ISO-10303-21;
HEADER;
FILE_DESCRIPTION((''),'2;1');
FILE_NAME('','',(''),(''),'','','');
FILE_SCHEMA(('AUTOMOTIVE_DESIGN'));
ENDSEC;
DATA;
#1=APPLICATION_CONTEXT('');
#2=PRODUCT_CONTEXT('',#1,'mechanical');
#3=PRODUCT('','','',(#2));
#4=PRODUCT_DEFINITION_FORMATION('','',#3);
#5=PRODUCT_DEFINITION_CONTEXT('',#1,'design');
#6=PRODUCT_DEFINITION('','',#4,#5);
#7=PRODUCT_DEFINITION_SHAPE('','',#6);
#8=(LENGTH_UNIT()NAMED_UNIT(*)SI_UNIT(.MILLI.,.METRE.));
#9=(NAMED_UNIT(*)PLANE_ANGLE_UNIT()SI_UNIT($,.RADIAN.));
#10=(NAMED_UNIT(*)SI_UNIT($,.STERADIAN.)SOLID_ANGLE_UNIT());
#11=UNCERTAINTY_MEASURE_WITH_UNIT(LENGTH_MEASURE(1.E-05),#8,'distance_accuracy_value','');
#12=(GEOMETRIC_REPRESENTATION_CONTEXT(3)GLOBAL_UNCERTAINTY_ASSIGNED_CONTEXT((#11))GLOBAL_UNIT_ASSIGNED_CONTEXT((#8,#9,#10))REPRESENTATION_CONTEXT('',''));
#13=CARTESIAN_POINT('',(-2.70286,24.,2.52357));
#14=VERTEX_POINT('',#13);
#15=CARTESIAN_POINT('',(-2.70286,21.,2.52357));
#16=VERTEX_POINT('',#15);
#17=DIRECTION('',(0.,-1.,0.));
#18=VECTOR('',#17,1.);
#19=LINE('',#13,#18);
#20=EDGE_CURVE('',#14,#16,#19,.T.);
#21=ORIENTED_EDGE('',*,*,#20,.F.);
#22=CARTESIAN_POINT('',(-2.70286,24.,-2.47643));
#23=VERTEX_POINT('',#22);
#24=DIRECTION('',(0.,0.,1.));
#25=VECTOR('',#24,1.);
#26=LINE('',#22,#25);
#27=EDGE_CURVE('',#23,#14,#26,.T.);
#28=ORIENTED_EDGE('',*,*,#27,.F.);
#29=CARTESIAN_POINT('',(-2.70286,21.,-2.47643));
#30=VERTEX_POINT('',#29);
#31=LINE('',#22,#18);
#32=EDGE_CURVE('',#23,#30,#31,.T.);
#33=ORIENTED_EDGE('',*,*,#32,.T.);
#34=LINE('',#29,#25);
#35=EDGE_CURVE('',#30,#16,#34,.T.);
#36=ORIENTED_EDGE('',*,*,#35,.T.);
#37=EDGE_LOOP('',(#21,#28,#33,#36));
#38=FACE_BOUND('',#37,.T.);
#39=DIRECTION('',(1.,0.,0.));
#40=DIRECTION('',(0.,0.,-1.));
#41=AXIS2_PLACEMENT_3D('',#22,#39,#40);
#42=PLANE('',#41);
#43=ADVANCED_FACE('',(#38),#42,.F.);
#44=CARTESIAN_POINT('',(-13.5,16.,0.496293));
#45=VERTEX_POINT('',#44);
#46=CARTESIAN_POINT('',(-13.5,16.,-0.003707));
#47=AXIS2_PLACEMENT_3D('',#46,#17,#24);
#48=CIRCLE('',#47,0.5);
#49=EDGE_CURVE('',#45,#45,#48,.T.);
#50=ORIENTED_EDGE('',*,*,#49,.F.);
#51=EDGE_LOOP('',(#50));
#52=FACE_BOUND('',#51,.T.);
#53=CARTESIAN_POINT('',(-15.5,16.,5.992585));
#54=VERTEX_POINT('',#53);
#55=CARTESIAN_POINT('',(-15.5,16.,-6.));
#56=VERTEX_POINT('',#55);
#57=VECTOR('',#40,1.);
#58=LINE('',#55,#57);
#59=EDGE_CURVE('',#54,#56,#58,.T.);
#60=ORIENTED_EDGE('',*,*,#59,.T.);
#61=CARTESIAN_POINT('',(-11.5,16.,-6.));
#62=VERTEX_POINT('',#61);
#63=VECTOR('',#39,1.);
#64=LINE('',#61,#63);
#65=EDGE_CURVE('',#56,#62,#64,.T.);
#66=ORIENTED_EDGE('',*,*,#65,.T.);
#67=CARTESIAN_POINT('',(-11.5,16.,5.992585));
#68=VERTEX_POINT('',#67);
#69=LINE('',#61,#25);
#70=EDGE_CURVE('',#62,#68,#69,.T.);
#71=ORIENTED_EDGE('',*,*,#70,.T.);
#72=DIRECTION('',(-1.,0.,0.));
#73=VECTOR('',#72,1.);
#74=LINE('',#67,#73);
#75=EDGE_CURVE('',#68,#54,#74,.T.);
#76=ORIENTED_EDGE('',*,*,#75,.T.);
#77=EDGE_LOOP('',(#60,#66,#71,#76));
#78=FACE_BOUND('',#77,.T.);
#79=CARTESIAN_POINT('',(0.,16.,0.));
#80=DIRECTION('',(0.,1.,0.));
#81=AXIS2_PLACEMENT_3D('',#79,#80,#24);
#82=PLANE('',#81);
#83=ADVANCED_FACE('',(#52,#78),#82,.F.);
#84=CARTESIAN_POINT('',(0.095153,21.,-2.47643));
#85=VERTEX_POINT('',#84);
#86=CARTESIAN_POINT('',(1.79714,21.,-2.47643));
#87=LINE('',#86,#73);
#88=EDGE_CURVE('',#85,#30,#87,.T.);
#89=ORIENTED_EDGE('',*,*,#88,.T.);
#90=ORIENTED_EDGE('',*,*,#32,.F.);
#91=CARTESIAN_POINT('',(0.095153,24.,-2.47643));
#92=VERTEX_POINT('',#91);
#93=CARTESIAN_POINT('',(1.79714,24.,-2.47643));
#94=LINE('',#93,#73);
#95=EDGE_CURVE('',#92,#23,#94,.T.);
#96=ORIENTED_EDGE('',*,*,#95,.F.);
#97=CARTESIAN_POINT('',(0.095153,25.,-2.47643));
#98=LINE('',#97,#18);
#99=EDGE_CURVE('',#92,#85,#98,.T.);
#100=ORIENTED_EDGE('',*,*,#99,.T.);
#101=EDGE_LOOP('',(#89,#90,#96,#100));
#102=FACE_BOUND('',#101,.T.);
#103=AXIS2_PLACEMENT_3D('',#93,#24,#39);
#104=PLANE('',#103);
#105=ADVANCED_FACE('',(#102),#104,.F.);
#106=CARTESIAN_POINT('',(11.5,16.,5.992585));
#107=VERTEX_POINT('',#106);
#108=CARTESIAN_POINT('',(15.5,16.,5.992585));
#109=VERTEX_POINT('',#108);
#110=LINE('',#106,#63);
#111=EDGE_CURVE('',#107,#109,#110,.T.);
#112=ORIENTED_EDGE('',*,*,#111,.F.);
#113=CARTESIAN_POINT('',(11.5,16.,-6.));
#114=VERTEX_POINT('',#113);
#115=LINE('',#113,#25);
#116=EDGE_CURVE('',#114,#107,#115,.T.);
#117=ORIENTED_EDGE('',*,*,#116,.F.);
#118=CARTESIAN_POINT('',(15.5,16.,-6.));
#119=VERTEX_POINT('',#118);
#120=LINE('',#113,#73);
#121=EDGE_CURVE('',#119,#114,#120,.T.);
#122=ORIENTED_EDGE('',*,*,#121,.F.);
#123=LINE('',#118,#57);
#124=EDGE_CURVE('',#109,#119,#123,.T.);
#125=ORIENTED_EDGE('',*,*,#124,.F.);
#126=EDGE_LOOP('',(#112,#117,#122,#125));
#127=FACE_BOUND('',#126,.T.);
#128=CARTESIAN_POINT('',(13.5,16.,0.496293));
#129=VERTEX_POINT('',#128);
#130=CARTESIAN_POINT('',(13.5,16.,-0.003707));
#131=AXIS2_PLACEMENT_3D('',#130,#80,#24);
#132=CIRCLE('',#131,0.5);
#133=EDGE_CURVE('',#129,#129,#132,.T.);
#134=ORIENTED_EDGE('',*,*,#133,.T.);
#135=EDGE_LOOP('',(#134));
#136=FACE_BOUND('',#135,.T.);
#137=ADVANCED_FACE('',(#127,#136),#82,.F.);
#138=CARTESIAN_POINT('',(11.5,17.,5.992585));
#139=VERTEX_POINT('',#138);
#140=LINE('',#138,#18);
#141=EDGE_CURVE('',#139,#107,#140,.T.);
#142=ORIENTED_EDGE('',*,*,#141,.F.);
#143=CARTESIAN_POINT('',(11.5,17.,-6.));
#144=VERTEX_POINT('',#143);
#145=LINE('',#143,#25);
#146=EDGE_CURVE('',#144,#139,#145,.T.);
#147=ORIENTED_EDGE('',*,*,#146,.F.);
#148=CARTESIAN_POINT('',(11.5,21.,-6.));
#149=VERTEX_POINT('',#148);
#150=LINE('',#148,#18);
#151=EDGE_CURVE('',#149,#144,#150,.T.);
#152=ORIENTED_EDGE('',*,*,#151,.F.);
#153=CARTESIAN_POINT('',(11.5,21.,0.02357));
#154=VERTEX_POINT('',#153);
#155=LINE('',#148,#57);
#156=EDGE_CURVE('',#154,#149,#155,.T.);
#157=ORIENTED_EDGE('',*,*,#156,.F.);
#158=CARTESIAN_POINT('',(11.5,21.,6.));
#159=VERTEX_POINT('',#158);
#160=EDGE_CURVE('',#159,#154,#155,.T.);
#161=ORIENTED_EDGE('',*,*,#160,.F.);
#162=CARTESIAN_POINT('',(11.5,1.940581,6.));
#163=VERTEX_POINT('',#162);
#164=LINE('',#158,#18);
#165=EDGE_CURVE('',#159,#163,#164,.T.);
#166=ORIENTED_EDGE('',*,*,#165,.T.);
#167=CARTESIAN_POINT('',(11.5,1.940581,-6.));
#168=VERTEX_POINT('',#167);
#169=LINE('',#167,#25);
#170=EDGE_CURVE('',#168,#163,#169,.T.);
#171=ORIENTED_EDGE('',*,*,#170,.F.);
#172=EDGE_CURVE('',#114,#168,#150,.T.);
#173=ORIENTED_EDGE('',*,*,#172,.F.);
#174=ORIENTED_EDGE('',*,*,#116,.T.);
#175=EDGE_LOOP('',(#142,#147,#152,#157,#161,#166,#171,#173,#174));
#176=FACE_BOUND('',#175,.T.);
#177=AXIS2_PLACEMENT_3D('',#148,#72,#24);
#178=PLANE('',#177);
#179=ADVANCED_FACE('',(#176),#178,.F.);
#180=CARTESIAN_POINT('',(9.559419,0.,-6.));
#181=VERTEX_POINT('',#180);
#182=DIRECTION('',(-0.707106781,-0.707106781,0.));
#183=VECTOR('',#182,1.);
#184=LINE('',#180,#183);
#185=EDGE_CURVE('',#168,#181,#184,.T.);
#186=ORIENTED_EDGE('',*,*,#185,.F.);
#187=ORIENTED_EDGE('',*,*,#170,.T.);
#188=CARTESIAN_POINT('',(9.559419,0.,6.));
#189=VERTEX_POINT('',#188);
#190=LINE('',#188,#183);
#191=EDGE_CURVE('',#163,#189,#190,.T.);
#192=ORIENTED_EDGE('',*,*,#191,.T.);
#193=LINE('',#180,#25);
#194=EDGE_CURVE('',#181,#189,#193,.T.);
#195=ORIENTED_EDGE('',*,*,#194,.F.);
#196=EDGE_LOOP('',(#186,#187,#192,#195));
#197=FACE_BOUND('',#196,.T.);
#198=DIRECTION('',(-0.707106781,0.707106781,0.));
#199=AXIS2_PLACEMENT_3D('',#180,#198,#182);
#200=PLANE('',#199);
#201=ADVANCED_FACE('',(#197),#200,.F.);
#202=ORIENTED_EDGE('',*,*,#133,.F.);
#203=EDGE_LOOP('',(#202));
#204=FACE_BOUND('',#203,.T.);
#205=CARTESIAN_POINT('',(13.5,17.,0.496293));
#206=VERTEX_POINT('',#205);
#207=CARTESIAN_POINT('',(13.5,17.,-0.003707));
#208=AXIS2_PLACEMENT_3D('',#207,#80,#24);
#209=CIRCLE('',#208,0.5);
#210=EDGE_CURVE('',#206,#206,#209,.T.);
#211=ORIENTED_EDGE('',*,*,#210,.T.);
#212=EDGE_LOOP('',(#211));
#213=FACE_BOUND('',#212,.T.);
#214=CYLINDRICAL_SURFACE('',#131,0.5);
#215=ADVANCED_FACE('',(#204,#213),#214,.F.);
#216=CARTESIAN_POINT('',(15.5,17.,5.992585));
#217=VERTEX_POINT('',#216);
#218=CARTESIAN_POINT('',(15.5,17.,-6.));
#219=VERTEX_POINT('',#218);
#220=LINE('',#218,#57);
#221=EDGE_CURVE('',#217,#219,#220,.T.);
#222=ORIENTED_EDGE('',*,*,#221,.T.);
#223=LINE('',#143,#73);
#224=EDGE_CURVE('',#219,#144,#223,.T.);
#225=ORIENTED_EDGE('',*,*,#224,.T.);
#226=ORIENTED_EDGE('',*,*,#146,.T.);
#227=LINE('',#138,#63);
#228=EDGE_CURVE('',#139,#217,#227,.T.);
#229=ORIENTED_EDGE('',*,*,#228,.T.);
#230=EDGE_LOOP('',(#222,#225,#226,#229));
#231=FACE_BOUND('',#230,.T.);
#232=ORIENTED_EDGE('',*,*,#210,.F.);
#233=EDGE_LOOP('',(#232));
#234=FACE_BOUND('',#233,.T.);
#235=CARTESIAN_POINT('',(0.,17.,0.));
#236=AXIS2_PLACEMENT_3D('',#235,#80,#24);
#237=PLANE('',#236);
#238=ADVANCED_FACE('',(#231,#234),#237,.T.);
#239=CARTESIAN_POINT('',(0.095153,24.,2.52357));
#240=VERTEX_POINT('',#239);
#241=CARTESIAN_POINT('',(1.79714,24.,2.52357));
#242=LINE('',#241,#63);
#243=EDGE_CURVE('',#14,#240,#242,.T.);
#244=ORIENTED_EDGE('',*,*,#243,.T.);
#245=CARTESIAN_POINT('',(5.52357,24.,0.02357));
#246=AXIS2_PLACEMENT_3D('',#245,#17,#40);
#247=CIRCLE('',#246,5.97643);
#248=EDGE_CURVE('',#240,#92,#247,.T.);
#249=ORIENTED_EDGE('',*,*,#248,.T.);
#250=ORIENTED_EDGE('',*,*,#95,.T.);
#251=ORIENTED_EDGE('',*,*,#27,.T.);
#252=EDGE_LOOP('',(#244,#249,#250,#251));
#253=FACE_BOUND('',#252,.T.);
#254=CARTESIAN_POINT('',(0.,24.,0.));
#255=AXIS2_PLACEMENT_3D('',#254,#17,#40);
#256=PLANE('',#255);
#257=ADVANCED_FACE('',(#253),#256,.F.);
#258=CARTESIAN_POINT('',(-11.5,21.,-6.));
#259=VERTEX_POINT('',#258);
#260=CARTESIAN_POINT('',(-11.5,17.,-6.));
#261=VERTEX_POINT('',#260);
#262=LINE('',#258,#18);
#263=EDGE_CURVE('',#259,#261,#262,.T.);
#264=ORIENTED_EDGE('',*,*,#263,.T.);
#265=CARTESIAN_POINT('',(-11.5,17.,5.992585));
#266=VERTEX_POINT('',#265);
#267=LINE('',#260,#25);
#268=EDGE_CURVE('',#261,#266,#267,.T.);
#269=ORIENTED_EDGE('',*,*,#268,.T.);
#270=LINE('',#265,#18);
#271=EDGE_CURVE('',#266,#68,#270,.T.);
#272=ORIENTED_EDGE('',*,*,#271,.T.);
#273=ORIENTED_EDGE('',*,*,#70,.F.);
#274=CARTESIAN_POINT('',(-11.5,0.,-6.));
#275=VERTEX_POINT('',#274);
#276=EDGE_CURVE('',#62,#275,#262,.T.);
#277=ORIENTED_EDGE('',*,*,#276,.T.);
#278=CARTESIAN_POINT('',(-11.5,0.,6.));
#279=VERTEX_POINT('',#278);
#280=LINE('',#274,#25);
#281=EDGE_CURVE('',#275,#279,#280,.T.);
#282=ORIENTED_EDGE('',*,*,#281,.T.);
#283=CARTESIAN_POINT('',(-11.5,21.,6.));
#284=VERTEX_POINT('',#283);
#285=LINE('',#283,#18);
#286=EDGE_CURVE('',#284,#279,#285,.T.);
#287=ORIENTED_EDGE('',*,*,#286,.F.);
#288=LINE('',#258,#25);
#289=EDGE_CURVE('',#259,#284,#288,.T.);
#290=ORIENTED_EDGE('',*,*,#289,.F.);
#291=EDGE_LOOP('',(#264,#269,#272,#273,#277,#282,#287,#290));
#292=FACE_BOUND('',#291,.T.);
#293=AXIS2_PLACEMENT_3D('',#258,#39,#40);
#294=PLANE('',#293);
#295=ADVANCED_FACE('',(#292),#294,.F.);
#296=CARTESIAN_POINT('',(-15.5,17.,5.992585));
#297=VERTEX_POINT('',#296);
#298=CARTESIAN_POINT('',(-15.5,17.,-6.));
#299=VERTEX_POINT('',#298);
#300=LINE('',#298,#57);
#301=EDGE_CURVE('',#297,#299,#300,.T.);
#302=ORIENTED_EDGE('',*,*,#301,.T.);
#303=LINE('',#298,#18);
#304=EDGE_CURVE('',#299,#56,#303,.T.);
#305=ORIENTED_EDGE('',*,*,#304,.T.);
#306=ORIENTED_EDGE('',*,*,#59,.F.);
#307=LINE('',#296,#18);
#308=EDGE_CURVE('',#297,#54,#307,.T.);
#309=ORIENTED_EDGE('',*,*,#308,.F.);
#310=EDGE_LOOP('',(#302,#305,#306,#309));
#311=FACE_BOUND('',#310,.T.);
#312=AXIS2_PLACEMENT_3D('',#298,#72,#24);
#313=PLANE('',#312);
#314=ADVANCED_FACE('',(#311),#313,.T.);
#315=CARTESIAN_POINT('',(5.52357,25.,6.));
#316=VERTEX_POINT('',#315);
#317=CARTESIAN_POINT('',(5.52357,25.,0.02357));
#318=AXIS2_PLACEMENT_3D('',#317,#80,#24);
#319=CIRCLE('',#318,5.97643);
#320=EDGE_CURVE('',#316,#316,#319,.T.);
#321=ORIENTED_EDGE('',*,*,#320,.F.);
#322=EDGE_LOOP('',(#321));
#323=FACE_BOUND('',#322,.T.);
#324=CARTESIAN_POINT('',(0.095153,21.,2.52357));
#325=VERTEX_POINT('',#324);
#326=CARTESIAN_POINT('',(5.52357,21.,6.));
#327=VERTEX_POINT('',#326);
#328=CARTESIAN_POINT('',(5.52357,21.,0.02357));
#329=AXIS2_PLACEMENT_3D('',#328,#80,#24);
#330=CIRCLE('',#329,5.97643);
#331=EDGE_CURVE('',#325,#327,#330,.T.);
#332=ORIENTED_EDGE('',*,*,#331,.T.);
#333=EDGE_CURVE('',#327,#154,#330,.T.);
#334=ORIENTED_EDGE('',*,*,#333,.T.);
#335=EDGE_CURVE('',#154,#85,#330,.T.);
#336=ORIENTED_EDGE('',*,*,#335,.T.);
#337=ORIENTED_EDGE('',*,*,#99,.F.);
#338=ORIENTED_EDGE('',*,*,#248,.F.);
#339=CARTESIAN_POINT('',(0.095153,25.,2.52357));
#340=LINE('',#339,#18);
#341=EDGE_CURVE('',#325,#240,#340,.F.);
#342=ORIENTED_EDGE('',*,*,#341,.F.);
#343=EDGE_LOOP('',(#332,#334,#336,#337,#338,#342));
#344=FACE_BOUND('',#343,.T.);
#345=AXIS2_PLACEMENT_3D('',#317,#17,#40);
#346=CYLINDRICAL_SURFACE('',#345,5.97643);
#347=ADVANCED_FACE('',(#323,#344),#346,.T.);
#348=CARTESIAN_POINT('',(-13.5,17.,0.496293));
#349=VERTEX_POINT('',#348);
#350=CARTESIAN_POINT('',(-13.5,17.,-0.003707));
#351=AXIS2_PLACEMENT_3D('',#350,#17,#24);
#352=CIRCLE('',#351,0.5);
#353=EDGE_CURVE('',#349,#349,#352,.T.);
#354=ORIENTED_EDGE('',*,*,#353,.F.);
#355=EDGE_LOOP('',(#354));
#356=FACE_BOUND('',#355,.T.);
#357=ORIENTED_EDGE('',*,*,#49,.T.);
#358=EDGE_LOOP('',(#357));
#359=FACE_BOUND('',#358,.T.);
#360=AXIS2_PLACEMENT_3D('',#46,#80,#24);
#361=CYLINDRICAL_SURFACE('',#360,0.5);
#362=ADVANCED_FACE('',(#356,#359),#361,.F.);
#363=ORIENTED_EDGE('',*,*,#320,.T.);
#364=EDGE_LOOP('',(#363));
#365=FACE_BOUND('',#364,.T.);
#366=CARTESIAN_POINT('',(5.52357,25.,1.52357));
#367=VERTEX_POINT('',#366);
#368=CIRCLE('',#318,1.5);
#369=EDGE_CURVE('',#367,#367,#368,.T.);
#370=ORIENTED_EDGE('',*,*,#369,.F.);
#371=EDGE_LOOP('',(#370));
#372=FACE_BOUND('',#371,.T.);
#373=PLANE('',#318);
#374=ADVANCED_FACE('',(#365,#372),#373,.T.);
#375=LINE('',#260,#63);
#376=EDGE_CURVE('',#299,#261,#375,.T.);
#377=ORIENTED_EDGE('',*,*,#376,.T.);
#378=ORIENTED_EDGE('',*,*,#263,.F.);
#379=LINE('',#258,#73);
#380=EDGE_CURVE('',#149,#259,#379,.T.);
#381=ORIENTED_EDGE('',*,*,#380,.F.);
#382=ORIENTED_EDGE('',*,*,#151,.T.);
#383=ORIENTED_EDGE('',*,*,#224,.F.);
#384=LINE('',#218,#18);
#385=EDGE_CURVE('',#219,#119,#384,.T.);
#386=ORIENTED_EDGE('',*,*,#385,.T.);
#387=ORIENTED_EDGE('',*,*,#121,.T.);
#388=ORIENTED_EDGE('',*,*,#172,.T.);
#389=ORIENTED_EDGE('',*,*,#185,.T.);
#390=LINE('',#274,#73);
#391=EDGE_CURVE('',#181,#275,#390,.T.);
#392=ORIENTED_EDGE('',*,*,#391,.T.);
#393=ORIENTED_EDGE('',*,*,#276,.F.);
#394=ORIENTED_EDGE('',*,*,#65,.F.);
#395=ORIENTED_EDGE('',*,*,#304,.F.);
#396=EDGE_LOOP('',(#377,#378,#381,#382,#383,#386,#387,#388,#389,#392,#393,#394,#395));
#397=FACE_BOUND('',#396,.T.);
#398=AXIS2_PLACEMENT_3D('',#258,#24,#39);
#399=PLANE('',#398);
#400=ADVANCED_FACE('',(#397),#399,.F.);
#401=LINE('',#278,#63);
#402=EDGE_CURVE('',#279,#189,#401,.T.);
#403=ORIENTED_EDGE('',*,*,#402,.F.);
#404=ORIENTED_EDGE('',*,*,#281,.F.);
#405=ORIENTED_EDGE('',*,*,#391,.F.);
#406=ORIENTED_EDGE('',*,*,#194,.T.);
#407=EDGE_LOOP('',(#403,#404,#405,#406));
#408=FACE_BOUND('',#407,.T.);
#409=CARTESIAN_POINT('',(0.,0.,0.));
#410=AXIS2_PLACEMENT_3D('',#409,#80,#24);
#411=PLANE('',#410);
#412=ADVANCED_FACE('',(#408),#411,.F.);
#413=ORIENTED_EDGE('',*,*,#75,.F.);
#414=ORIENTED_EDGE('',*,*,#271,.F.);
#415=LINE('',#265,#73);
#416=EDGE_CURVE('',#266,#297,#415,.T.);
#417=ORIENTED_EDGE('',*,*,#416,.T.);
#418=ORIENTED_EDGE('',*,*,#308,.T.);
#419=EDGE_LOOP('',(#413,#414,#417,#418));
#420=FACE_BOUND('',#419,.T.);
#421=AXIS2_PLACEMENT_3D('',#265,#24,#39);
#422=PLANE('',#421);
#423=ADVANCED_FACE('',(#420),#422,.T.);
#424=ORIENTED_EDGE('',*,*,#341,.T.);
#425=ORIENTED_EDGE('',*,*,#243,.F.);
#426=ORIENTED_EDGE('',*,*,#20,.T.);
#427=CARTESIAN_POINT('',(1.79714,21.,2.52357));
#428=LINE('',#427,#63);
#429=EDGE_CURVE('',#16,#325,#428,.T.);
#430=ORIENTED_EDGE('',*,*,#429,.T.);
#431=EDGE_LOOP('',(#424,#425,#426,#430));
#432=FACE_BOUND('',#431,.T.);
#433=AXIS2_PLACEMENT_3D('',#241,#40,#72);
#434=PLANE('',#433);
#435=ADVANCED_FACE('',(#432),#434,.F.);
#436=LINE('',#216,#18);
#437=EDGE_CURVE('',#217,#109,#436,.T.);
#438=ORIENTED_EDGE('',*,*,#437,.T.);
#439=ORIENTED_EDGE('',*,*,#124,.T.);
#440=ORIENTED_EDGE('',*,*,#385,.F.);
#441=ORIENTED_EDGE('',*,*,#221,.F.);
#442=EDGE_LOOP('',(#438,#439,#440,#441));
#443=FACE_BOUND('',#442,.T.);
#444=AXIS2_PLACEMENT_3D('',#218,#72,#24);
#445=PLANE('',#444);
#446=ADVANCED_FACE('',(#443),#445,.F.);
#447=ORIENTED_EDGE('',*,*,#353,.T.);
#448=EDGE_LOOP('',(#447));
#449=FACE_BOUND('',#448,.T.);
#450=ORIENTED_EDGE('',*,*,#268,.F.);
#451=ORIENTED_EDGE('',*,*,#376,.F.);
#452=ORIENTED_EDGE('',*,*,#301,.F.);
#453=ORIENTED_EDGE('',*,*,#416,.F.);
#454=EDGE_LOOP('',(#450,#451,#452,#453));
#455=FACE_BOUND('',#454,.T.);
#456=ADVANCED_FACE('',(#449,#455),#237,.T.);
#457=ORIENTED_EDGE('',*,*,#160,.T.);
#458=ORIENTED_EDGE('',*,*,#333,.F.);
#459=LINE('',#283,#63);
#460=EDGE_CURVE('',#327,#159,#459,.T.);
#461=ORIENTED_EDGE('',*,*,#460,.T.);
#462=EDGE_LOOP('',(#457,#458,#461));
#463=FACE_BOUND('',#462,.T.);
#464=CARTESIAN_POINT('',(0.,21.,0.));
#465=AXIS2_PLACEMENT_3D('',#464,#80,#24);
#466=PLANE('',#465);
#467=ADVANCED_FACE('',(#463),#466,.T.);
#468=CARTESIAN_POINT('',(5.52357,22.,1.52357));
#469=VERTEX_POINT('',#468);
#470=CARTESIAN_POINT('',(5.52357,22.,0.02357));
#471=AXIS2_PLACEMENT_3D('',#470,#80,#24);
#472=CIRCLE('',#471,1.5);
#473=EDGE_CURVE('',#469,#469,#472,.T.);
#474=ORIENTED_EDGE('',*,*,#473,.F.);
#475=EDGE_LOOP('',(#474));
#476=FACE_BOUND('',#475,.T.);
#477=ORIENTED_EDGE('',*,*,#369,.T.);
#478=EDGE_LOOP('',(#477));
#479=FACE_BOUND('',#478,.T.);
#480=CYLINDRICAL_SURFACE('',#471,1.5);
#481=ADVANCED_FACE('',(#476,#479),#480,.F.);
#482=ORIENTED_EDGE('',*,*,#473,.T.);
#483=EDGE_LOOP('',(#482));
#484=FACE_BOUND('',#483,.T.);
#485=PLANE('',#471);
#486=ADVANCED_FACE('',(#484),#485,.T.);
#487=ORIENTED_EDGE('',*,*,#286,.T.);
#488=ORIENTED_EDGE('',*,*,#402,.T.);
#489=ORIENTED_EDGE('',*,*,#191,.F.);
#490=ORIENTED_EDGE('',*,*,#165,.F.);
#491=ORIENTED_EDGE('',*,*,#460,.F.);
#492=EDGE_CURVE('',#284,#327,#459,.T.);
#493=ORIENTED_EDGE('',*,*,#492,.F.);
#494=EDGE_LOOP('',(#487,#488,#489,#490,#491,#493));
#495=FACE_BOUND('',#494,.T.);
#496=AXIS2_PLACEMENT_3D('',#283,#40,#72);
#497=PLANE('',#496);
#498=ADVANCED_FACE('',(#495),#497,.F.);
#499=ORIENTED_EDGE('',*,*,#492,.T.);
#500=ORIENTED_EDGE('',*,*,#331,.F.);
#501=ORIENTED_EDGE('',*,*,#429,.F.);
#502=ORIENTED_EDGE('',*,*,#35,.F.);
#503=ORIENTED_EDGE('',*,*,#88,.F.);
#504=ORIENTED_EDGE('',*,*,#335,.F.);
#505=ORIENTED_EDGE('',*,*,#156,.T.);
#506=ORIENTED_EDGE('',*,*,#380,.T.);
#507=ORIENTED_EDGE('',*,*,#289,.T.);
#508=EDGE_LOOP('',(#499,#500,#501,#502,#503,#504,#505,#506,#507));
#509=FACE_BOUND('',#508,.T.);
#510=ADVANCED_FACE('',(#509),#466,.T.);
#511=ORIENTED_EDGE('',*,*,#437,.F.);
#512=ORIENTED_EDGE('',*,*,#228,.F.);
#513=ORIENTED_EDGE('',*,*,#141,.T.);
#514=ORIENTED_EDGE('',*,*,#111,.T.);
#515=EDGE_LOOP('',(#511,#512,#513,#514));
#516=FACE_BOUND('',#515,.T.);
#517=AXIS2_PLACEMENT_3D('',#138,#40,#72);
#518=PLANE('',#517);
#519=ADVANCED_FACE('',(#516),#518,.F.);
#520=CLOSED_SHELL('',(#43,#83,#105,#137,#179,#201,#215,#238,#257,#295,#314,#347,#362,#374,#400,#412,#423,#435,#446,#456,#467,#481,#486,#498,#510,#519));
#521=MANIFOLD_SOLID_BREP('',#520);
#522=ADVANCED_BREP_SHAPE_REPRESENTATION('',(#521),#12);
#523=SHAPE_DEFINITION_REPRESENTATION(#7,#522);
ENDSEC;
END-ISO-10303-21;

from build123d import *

# Parameters (mm, degrees)
ESQUISSE1_W             = 23
ESQUISSE1_H             = 12
BOSS_EXTRU_1_DEPTH      = 21
ESQUISSE2_W             = 4
ESQUISSE2_H             = 11.992585314
BOSS_EXTRU_2_DEPTH      = 1
ESQUISSE3_R             = 0.5
ENL_V_MAT_EXTRU_1_DEPTH = 1
ESQUISSE4_R             = 5.976429807
BOSS_EXTRU_3_DEPTH      = 4
ESQUISSE5_W             = 4.5
ESQUISSE5_H             = 5
BOSS_EXTRU_4_DEPTH      = 3
ENL_V_MAT_EXTRU_3_DEPTH = 32.768695283
ESQUISSE7_R             = 1.5
ENL_V_MAT_EXTRU_4_DEPTH = 3


with BuildPart() as part:
    # Esquisse1 → Boss.-Extru.1 (new body)
    with BuildSketch(Plane(origin=(0, 0, 0), x_dir=(1, 0, 0), z_dir=(0, 1, 0))):
        Rectangle(ESQUISSE1_W, ESQUISSE1_H)
    extrude(amount=BOSS_EXTRU_1_DEPTH)

    # Esquisse2 → Boss.-Extru.2 (add)
    with BuildSketch(Plane(origin=(0, 16, 0), x_dir=(1, 0, 0), z_dir=(0, 1, 0))):
        with Locations((13.5, 0.003707343)):
            Rectangle(ESQUISSE2_W, ESQUISSE2_H)
    boss_extru_2 = extrude(amount=BOSS_EXTRU_2_DEPTH)

    # Esquisse3 → Enlèv. mat.-Extru.1 (cut)
    with BuildSketch(Plane(origin=(0, 17, 0), x_dir=(1, 0, 0), z_dir=(0, 1, 0))):
        with Locations(Location((13.5, 0.003707343, 0), (0, 0, 270))):
            Circle(ESQUISSE3_R)
    enl_v_mat_extru_1 = extrude(amount=-ENL_V_MAT_EXTRU_1_DEPTH, mode=Mode.SUBTRACT)

    # Symétrie1: Boss.-Extru.2 across plane
    add(boss_extru_2.mirror(Plane(origin=(0, 0, 0), x_dir=(0, 0, 1), z_dir=(1, 0, 0))))

    # Symétrie2: Enlèv. mat.-Extru.1 across plane
    add(enl_v_mat_extru_1.mirror(Plane(origin=(0, 0, 0), x_dir=(0, 0, 1), z_dir=(1, 0, 0))), mode=Mode.SUBTRACT)

    # Esquisse4 → Boss.-Extru.3 (add)
    with BuildSketch(Plane(origin=(0, 21, 0), x_dir=(1, 0, 0), z_dir=(0, 1, 0))):
        with Locations(Location((5.523570193, -0.023570193, 0), (0, 0, 270))):
            Circle(ESQUISSE4_R)
    extrude(amount=BOSS_EXTRU_3_DEPTH)

    # Esquisse5 → Boss.-Extru.4 (add)
    with BuildSketch(Plane(origin=(0, 21, 0), x_dir=(1, 0, 0), z_dir=(0, 1, 0))):
        with Locations((-0.452859613, -0.023570193)):
            Rectangle(ESQUISSE5_W, ESQUISSE5_H)
    extrude(amount=BOSS_EXTRU_4_DEPTH)

    # Esquisse6 → Enlèv. mat.-Extru.3 (cut, through all)
    with BuildSketch(Plane.XY.offset(6)):
        Polygon((9.55941942, 0), (11.5, 1.94058058), (11.5, 0), align=None)
    extrude(amount=-ENL_V_MAT_EXTRU_3_DEPTH, mode=Mode.SUBTRACT)

    # Esquisse7 → Enlèv. mat.-Extru.4 (cut)
    with BuildSketch(Plane(origin=(0, 25, 0), x_dir=(1, 0, 0), z_dir=(0, 1, 0))):
        with Locations(Location((5.523570193, -0.023570193, 0), (0, 0, 270))):
            Circle(ESQUISSE7_R)
    extrude(amount=-ENL_V_MAT_EXTRU_4_DEPTH, mode=Mode.SUBTRACT)


solid = part.part
